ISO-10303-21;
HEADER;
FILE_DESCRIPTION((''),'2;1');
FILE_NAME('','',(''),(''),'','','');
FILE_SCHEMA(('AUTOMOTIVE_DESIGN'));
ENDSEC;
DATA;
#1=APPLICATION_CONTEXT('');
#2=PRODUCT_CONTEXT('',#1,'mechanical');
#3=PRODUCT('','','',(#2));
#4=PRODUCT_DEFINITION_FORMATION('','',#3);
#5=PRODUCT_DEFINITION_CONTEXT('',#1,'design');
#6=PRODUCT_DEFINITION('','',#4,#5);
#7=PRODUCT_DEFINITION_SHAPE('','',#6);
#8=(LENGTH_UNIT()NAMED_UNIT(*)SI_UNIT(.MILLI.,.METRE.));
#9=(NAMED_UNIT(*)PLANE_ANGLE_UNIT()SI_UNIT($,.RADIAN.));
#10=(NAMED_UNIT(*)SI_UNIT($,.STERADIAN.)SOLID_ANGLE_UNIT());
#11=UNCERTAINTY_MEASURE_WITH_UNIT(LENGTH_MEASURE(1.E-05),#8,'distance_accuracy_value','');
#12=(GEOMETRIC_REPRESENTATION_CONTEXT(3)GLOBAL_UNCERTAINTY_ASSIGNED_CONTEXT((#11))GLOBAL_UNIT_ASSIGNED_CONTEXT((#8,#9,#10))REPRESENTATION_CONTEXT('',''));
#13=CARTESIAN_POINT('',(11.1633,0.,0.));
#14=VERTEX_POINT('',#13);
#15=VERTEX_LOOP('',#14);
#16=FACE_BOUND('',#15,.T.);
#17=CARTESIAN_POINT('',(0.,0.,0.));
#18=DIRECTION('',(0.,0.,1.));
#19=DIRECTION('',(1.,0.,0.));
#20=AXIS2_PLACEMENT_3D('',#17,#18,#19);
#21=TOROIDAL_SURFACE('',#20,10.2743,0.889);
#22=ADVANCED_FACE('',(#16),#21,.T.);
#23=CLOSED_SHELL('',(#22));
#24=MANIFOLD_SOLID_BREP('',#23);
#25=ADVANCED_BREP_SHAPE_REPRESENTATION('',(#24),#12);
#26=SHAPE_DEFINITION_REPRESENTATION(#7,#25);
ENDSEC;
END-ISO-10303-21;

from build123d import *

# Parameters (mm, degrees)
SKETCH1_R = 0.889


with BuildPart() as part:
    # Sketch1 → Revolve1 (revolve)
    with BuildSketch(Plane(origin=(0, 0, 0), x_dir=(0, -1, 0), z_dir=(1, 0, 0))):
        with Locations((10.2743, 0)):
            Circle(SKETCH1_R)
    revolve(axis=Axis((0, 0, 0.889), (0, 0, -1)))


solid = part.part
